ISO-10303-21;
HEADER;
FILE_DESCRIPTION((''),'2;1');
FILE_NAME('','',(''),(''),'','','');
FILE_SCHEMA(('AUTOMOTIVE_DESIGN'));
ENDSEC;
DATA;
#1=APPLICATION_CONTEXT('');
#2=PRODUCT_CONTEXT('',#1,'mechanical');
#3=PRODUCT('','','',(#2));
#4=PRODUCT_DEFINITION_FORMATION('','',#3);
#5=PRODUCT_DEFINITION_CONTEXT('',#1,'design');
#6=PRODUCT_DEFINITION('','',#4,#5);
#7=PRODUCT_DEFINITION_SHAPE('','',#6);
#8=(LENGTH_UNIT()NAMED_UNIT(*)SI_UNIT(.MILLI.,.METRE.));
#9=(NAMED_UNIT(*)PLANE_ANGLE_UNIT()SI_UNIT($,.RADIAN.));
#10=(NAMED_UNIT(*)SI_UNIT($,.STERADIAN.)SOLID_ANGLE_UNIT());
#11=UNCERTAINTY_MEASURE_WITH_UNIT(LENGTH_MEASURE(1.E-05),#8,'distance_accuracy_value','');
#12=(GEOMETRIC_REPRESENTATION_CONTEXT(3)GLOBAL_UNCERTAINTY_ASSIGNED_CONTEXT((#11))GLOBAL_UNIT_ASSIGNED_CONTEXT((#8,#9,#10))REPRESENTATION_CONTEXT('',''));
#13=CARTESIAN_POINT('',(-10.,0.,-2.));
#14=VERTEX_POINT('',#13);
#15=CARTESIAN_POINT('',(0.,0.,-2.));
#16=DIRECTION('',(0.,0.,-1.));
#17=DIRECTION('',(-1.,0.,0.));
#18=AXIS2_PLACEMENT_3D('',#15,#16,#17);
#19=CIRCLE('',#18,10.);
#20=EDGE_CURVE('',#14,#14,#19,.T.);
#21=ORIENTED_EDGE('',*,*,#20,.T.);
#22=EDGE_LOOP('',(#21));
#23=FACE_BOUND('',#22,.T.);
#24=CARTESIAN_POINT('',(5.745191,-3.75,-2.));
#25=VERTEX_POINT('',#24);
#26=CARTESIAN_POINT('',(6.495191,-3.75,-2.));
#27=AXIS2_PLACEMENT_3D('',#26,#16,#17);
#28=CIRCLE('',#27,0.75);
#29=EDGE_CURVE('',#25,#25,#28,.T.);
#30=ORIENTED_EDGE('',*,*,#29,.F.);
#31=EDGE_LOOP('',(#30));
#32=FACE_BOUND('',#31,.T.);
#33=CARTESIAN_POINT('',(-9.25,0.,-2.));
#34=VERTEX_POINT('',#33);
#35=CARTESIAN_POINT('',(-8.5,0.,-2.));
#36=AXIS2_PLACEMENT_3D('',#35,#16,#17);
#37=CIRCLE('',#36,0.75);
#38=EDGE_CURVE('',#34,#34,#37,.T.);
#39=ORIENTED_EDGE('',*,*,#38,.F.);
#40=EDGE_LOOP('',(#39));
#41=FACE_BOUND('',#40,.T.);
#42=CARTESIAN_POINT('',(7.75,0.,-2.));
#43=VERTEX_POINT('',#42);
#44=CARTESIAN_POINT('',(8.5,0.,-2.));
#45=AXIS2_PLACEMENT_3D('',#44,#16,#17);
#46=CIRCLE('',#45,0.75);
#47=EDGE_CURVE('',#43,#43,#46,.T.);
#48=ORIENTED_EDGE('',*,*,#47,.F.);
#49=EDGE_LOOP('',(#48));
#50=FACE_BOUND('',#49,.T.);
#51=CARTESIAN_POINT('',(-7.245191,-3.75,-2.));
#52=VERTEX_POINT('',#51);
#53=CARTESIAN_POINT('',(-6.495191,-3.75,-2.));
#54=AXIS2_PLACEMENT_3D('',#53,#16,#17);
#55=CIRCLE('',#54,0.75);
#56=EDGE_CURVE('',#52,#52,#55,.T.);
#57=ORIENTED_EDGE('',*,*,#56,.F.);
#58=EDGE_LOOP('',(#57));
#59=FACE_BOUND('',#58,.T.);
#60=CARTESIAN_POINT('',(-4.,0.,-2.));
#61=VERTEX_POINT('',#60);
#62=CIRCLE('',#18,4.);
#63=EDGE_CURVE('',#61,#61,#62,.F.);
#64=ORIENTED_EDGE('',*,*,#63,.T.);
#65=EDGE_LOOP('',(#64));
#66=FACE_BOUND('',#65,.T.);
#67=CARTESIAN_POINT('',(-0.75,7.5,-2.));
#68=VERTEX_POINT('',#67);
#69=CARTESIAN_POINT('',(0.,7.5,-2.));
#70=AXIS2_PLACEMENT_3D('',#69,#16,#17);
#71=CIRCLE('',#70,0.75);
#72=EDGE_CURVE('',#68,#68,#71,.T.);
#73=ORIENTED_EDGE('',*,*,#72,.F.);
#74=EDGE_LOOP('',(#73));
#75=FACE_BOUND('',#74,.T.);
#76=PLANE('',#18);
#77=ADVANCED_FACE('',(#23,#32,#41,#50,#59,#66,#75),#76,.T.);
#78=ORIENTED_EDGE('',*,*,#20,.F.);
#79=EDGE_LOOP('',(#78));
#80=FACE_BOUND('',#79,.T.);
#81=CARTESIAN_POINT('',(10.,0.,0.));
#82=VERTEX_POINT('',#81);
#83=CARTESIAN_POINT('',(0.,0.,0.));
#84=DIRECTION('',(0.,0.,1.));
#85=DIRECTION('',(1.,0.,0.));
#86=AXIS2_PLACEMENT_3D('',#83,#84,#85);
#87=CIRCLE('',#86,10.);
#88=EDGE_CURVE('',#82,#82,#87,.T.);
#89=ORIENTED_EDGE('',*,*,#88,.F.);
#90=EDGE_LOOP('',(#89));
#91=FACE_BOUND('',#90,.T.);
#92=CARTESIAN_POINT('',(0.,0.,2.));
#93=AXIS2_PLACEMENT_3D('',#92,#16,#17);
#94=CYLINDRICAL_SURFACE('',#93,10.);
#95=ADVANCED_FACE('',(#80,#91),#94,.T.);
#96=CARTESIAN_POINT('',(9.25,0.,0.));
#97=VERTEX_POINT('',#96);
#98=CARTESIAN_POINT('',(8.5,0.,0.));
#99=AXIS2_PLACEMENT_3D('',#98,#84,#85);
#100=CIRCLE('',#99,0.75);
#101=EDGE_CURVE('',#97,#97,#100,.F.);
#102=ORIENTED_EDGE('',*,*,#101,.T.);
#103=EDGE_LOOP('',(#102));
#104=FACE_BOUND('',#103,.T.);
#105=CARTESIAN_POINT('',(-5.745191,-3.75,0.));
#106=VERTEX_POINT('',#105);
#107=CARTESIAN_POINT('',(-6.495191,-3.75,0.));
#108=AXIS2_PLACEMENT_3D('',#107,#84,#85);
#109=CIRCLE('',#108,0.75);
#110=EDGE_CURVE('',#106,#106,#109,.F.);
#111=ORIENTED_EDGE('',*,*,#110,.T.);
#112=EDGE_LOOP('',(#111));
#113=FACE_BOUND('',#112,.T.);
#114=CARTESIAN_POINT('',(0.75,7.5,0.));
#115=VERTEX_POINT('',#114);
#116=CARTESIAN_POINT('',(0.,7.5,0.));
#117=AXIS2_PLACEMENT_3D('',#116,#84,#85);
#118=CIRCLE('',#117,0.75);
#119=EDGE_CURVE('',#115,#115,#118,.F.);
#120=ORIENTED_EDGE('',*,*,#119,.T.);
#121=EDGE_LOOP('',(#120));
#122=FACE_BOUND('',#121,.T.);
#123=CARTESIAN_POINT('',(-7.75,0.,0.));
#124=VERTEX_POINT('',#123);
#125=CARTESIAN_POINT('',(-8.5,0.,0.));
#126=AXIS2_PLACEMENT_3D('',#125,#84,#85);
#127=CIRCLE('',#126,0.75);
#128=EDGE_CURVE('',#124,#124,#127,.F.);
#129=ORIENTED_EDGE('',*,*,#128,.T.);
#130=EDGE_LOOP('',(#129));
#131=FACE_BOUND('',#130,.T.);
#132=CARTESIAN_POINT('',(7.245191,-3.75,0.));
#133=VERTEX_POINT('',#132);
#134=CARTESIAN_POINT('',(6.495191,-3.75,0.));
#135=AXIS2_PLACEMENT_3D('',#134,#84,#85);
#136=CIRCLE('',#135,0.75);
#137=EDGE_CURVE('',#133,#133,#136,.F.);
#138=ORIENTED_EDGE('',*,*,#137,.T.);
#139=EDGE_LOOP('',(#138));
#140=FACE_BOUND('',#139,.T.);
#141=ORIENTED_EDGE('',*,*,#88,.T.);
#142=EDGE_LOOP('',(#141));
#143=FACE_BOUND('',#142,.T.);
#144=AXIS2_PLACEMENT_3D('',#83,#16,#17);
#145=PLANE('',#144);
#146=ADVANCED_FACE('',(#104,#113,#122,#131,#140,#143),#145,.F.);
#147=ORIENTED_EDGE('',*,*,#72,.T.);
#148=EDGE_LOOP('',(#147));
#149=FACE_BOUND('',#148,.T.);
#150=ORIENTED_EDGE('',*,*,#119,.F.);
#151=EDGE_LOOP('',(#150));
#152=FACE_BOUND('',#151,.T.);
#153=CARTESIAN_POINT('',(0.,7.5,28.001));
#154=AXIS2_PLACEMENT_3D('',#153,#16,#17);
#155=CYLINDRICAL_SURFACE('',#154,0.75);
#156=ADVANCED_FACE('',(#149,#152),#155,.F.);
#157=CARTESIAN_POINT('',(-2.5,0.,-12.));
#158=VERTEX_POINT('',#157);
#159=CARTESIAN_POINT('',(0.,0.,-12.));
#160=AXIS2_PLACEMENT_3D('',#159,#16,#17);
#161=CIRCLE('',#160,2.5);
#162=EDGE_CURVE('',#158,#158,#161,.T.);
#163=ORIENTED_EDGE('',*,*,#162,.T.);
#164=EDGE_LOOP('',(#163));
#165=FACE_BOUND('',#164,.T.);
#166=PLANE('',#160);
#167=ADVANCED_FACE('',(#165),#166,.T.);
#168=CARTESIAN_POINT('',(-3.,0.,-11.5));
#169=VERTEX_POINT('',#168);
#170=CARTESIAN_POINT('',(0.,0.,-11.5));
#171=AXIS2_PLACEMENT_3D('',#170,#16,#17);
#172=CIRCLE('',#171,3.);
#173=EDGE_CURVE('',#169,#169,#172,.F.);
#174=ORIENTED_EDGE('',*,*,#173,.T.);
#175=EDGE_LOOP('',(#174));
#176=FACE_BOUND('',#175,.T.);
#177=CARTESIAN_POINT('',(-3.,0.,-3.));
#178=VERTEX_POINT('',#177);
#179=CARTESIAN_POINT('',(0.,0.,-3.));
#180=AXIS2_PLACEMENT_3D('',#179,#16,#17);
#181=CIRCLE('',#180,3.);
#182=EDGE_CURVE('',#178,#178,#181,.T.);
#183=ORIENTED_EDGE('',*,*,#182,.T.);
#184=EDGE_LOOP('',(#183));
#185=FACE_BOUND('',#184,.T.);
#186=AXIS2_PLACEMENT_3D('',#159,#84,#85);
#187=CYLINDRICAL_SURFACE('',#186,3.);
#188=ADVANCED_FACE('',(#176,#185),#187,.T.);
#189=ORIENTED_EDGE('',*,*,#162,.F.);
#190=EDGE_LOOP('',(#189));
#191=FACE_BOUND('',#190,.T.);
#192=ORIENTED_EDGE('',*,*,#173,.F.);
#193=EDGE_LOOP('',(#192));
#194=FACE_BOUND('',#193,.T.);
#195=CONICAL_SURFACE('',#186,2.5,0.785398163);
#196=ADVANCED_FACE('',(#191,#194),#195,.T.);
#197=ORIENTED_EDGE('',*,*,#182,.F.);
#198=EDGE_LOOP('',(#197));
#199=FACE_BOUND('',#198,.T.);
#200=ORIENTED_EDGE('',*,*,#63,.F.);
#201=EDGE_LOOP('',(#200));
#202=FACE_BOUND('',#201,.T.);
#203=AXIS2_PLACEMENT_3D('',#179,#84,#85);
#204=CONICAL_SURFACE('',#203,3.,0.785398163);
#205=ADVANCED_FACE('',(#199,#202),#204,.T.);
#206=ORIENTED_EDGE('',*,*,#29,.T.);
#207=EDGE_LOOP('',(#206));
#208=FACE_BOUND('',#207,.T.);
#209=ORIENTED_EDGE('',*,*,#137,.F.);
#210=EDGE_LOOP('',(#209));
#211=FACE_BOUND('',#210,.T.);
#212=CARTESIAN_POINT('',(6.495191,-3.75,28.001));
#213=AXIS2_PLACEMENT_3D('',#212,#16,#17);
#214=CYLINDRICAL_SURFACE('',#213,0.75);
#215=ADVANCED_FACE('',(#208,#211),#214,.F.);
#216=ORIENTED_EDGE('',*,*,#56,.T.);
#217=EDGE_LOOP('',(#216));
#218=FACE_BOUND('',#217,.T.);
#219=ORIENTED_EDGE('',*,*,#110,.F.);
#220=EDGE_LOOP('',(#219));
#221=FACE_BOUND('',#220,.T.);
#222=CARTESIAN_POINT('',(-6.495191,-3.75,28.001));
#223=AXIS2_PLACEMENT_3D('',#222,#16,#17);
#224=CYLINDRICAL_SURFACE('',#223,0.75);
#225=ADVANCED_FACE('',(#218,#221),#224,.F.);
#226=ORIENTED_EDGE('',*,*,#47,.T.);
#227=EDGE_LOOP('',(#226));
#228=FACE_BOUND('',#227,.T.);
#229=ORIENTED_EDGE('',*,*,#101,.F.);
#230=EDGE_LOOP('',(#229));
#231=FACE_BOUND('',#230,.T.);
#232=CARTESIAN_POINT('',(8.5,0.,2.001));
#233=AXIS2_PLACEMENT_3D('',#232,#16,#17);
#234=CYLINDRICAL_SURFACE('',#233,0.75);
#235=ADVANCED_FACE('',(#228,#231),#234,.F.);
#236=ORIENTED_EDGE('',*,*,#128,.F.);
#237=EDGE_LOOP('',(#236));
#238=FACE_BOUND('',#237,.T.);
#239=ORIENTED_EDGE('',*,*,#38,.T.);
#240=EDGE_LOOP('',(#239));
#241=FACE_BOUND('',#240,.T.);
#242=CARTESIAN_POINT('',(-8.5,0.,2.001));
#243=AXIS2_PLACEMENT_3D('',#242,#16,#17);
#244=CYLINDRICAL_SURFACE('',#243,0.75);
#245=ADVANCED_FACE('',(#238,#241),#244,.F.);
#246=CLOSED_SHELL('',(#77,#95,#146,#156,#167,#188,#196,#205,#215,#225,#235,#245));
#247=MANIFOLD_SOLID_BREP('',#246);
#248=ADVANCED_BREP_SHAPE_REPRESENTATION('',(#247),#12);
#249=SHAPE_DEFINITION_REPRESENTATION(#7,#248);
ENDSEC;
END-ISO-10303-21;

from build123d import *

# Parameters (mm, degrees)
SKETCH1_R           = 10
SKETCH1_R_2         = 5.5
BOSS_EXTRUDE1_DEPTH = 2
SKETCH3_R           = 3
BOSS_EXTRUDE2_DEPTH = 12
SKETCH4_R           = 10
SKETCH4_R_2         = 3
BOSS_EXTRUDE3_DEPTH = 2
CHAMFER2_SIZE       = 1
CHAMFER4_SIZE       = 0.5
CUT_EXTRUDE1_REACH  = 6
SKETCH5_R           = 0.75
SKETCH6_R           = 6.25
SKETCH6_R_2         = 5.5
BOSS_EXTRUDE4_DEPTH = 26
CUT_EXTRUDE2_REACH  = 32
SKETCH7_R           = 0.75
SKETCH9_R           = 17.358770913
CUT_EXTRUDE3_DEPTH  = 28


with BuildPart() as part:
    # Sketch1 → Boss-Extrude1 (new body)
    with BuildSketch(Plane.XY):
        Circle(SKETCH1_R)
        Circle(SKETCH1_R_2, mode=Mode.SUBTRACT)
    extrude(amount=BOSS_EXTRUDE1_DEPTH)



with BuildPart() as body_2:
    # Sketch3 → Boss-Extrude2 (new body)
    with BuildSketch(Plane(origin=(0, 0, 0), x_dir=(-1, 0, 0), z_dir=(0, 0, -1))):
        Circle(SKETCH3_R)
    extrude(amount=BOSS_EXTRUDE2_DEPTH)


with BuildPart() as part_1:
    add(part.part)

    add(body_2.part)  # Boss-Extrude3 merges body 2
    # Sketch4 → Boss-Extrude3 (add)
    with BuildSketch(Plane(origin=(0, 0, 0), x_dir=(-1, 0, 0), z_dir=(0, 0, -1))):
        Circle(SKETCH4_R)
        Circle(SKETCH4_R_2, mode=Mode.SUBTRACT)
    extrude(amount=BOSS_EXTRUDE3_DEPTH)

    # Chamfer2
    chamfer2_edges = [part_1.edges().sort_by_distance(p)[0] for p in [
        (3, 0, -2),
    ]]
    chamfer(chamfer2_edges, length=CHAMFER2_SIZE)

    # Chamfer4
    chamfer4_edges = [part_1.edges().sort_by_distance(p)[0] for p in [
        (3, 0, -12),
    ]]
    chamfer(chamfer4_edges, length=CHAMFER4_SIZE)

    # Sketch5 → Cut-Extrude1 (cut, up to next)
    with BuildSketch(Plane(origin=(0, 0, -2), x_dir=(-1, 0, 0), z_dir=(0, 0, -1)), mode=Mode.PRIVATE) as cut_extrude1_sk1:
        with Locations((-8.5, 0)):
            Circle(SKETCH5_R)
    cut_extrude1_tool1 = extrude(cut_extrude1_sk1.sketch, amount=-CUT_EXTRUDE1_REACH, mode=Mode.PRIVATE) & part_1.part
    add(cut_extrude1_tool1.solids().sort_by_distance((8.5, 0, -2))[0], mode=Mode.SUBTRACT)
    # Sketch5 → Cut-Extrude1 (cut, up to next)
    with BuildSketch(Plane(origin=(0, 0, -2), x_dir=(-1, 0, 0), z_dir=(0, 0, -1)), mode=Mode.PRIVATE) as cut_extrude1_sk2:
        with Locations((8.5, 0)):
            Circle(SKETCH5_R)
    cut_extrude1_tool2 = extrude(cut_extrude1_sk2.sketch, amount=-CUT_EXTRUDE1_REACH, mode=Mode.PRIVATE) & part_1.part
    add(cut_extrude1_tool2.solids().sort_by_distance((-8.5, 0, -2))[0], mode=Mode.SUBTRACT)

    # Sketch6 → Boss-Extrude4 (add)
    with BuildSketch(Plane.XY.offset(2)):
        Circle(SKETCH6_R)
        Circle(SKETCH6_R_2, mode=Mode.SUBTRACT)
    extrude(amount=BOSS_EXTRUDE4_DEPTH)

    # Sketch7 → Cut-Extrude2 (cut, up to next)
    with BuildSketch(Plane(origin=(0, 0, -2), x_dir=(-1, 0, 0), z_dir=(0, 0, -1)), mode=Mode.PRIVATE) as cut_extrude2_sk1:
        with Locations((0, 7.5)):
            Circle(SKETCH7_R)
    cut_extrude2_tool1 = extrude(cut_extrude2_sk1.sketch, amount=-CUT_EXTRUDE2_REACH, mode=Mode.PRIVATE) & part_1.part
    add(cut_extrude2_tool1.solids().sort_by_distance((0, 7.5, -2))[0], mode=Mode.SUBTRACT)
    # Sketch7 → Cut-Extrude2 (cut, up to next)
    with BuildSketch(Plane(origin=(0, 0, -2), x_dir=(-1, 0, 0), z_dir=(0, 0, -1)), mode=Mode.PRIVATE) as cut_extrude2_sk2:
        with Locations((6.495190528, -3.75)):
            Circle(SKETCH7_R)
    cut_extrude2_tool2 = extrude(cut_extrude2_sk2.sketch, amount=-CUT_EXTRUDE2_REACH, mode=Mode.PRIVATE) & part_1.part
    add(cut_extrude2_tool2.solids().sort_by_distance((-6.495191, -3.75, -2))[0], mode=Mode.SUBTRACT)
    # Sketch7 → Cut-Extrude2 (cut, up to next)
    with BuildSketch(Plane(origin=(0, 0, -2), x_dir=(-1, 0, 0), z_dir=(0, 0, -1)), mode=Mode.PRIVATE) as cut_extrude2_sk3:
        with Locations((-6.495190528, -3.75)):
            Circle(SKETCH7_R)
    cut_extrude2_tool3 = extrude(cut_extrude2_sk3.sketch, amount=-CUT_EXTRUDE2_REACH, mode=Mode.PRIVATE) & part_1.part
    add(cut_extrude2_tool3.solids().sort_by_distance((6.495191, -3.75, -2))[0], mode=Mode.SUBTRACT)

    # Sketch9 → Cut-Extrude3 (cut)
    with BuildSketch(Plane.XY.offset(28)):
        Circle(SKETCH9_R)
    extrude(amount=-CUT_EXTRUDE3_DEPTH, mode=Mode.SUBTRACT)


solid = part_1.part
